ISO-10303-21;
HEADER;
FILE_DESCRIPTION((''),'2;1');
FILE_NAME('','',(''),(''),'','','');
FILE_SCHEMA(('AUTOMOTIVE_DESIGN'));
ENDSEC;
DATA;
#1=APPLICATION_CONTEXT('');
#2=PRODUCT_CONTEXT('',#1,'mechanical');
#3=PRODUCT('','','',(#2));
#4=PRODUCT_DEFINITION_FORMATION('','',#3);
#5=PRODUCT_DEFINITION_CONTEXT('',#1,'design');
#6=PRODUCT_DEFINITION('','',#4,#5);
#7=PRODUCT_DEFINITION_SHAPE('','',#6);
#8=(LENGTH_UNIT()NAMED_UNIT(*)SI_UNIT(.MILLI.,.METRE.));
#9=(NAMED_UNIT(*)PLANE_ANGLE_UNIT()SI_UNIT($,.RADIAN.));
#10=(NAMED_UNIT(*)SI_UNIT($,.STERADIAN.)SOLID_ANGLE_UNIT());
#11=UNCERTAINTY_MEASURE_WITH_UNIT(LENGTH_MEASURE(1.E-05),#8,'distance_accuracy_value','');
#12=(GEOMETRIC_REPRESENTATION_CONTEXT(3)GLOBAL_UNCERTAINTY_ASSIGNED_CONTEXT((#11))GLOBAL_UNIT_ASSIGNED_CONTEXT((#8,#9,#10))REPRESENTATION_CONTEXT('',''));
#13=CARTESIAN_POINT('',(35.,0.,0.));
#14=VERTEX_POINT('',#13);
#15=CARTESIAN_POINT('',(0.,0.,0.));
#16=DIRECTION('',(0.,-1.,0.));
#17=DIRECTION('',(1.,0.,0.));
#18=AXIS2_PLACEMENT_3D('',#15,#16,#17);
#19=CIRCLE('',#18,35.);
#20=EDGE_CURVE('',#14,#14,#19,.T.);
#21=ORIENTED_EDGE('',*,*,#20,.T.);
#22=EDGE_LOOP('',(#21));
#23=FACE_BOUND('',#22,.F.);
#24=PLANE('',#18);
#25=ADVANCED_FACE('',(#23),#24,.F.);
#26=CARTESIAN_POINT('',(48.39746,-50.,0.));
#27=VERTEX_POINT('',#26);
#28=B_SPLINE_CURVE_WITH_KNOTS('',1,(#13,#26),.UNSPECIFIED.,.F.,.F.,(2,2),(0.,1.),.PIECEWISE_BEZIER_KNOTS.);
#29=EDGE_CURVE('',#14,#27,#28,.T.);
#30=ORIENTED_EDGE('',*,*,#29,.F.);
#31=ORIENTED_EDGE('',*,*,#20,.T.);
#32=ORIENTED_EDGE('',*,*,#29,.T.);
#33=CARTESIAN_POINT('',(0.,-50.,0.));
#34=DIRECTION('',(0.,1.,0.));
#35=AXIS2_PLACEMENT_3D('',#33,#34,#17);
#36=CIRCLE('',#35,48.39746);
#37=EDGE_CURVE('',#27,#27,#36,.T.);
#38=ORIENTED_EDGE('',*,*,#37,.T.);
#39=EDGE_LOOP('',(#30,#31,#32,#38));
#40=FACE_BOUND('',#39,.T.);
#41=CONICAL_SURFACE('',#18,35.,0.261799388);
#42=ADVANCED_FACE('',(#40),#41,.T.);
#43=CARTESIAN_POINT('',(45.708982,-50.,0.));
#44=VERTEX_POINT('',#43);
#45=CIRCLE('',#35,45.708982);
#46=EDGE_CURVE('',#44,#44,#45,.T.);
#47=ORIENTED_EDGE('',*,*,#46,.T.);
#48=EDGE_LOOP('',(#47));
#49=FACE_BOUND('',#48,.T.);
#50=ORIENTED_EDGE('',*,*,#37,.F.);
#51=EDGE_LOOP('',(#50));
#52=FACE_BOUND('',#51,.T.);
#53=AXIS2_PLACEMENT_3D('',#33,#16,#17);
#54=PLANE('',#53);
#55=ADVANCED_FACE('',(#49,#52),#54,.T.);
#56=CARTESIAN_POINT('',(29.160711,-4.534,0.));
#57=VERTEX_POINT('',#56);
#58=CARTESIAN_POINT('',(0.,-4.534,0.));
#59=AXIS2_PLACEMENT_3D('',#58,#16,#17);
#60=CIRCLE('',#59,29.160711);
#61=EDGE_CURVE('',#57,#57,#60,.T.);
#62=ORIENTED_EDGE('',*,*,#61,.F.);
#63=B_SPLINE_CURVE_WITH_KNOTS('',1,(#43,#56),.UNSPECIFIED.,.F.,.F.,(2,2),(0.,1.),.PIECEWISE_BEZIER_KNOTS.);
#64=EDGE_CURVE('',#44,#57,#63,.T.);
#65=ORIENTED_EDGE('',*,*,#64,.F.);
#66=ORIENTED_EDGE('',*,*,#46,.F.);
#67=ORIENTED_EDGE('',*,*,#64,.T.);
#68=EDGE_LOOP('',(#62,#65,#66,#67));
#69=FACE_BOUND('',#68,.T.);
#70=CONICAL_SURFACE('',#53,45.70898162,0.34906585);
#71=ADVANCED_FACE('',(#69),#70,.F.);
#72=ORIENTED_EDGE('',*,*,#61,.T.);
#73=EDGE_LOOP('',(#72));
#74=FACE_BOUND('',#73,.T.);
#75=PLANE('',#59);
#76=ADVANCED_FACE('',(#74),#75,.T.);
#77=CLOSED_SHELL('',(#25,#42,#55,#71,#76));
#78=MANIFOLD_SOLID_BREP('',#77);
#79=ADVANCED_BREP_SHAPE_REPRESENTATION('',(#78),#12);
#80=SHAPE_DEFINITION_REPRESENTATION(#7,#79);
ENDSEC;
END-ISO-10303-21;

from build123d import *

# Parameters (mm, degrees)
F0_R     = 35
F1_DEPTH = 50
F1_TAPER = -15
F2_R     = 45.7089816199
F3_DEPTH = 45.466
F3_TAPER = 20


with BuildPart() as f1:
    # F0 (on Front) → F1 (new body)
    with BuildSketch(Plane.XZ):
        Circle(F0_R)
    extrude(amount=F1_DEPTH, taper=F1_TAPER)

    # F2 (on face) → F3 (cut)
    with BuildSketch(Plane.XZ.offset(50)):
        Circle(F2_R)
    extrude(amount=-F3_DEPTH, taper=F3_TAPER, mode=Mode.SUBTRACT)


solid = f1.part
